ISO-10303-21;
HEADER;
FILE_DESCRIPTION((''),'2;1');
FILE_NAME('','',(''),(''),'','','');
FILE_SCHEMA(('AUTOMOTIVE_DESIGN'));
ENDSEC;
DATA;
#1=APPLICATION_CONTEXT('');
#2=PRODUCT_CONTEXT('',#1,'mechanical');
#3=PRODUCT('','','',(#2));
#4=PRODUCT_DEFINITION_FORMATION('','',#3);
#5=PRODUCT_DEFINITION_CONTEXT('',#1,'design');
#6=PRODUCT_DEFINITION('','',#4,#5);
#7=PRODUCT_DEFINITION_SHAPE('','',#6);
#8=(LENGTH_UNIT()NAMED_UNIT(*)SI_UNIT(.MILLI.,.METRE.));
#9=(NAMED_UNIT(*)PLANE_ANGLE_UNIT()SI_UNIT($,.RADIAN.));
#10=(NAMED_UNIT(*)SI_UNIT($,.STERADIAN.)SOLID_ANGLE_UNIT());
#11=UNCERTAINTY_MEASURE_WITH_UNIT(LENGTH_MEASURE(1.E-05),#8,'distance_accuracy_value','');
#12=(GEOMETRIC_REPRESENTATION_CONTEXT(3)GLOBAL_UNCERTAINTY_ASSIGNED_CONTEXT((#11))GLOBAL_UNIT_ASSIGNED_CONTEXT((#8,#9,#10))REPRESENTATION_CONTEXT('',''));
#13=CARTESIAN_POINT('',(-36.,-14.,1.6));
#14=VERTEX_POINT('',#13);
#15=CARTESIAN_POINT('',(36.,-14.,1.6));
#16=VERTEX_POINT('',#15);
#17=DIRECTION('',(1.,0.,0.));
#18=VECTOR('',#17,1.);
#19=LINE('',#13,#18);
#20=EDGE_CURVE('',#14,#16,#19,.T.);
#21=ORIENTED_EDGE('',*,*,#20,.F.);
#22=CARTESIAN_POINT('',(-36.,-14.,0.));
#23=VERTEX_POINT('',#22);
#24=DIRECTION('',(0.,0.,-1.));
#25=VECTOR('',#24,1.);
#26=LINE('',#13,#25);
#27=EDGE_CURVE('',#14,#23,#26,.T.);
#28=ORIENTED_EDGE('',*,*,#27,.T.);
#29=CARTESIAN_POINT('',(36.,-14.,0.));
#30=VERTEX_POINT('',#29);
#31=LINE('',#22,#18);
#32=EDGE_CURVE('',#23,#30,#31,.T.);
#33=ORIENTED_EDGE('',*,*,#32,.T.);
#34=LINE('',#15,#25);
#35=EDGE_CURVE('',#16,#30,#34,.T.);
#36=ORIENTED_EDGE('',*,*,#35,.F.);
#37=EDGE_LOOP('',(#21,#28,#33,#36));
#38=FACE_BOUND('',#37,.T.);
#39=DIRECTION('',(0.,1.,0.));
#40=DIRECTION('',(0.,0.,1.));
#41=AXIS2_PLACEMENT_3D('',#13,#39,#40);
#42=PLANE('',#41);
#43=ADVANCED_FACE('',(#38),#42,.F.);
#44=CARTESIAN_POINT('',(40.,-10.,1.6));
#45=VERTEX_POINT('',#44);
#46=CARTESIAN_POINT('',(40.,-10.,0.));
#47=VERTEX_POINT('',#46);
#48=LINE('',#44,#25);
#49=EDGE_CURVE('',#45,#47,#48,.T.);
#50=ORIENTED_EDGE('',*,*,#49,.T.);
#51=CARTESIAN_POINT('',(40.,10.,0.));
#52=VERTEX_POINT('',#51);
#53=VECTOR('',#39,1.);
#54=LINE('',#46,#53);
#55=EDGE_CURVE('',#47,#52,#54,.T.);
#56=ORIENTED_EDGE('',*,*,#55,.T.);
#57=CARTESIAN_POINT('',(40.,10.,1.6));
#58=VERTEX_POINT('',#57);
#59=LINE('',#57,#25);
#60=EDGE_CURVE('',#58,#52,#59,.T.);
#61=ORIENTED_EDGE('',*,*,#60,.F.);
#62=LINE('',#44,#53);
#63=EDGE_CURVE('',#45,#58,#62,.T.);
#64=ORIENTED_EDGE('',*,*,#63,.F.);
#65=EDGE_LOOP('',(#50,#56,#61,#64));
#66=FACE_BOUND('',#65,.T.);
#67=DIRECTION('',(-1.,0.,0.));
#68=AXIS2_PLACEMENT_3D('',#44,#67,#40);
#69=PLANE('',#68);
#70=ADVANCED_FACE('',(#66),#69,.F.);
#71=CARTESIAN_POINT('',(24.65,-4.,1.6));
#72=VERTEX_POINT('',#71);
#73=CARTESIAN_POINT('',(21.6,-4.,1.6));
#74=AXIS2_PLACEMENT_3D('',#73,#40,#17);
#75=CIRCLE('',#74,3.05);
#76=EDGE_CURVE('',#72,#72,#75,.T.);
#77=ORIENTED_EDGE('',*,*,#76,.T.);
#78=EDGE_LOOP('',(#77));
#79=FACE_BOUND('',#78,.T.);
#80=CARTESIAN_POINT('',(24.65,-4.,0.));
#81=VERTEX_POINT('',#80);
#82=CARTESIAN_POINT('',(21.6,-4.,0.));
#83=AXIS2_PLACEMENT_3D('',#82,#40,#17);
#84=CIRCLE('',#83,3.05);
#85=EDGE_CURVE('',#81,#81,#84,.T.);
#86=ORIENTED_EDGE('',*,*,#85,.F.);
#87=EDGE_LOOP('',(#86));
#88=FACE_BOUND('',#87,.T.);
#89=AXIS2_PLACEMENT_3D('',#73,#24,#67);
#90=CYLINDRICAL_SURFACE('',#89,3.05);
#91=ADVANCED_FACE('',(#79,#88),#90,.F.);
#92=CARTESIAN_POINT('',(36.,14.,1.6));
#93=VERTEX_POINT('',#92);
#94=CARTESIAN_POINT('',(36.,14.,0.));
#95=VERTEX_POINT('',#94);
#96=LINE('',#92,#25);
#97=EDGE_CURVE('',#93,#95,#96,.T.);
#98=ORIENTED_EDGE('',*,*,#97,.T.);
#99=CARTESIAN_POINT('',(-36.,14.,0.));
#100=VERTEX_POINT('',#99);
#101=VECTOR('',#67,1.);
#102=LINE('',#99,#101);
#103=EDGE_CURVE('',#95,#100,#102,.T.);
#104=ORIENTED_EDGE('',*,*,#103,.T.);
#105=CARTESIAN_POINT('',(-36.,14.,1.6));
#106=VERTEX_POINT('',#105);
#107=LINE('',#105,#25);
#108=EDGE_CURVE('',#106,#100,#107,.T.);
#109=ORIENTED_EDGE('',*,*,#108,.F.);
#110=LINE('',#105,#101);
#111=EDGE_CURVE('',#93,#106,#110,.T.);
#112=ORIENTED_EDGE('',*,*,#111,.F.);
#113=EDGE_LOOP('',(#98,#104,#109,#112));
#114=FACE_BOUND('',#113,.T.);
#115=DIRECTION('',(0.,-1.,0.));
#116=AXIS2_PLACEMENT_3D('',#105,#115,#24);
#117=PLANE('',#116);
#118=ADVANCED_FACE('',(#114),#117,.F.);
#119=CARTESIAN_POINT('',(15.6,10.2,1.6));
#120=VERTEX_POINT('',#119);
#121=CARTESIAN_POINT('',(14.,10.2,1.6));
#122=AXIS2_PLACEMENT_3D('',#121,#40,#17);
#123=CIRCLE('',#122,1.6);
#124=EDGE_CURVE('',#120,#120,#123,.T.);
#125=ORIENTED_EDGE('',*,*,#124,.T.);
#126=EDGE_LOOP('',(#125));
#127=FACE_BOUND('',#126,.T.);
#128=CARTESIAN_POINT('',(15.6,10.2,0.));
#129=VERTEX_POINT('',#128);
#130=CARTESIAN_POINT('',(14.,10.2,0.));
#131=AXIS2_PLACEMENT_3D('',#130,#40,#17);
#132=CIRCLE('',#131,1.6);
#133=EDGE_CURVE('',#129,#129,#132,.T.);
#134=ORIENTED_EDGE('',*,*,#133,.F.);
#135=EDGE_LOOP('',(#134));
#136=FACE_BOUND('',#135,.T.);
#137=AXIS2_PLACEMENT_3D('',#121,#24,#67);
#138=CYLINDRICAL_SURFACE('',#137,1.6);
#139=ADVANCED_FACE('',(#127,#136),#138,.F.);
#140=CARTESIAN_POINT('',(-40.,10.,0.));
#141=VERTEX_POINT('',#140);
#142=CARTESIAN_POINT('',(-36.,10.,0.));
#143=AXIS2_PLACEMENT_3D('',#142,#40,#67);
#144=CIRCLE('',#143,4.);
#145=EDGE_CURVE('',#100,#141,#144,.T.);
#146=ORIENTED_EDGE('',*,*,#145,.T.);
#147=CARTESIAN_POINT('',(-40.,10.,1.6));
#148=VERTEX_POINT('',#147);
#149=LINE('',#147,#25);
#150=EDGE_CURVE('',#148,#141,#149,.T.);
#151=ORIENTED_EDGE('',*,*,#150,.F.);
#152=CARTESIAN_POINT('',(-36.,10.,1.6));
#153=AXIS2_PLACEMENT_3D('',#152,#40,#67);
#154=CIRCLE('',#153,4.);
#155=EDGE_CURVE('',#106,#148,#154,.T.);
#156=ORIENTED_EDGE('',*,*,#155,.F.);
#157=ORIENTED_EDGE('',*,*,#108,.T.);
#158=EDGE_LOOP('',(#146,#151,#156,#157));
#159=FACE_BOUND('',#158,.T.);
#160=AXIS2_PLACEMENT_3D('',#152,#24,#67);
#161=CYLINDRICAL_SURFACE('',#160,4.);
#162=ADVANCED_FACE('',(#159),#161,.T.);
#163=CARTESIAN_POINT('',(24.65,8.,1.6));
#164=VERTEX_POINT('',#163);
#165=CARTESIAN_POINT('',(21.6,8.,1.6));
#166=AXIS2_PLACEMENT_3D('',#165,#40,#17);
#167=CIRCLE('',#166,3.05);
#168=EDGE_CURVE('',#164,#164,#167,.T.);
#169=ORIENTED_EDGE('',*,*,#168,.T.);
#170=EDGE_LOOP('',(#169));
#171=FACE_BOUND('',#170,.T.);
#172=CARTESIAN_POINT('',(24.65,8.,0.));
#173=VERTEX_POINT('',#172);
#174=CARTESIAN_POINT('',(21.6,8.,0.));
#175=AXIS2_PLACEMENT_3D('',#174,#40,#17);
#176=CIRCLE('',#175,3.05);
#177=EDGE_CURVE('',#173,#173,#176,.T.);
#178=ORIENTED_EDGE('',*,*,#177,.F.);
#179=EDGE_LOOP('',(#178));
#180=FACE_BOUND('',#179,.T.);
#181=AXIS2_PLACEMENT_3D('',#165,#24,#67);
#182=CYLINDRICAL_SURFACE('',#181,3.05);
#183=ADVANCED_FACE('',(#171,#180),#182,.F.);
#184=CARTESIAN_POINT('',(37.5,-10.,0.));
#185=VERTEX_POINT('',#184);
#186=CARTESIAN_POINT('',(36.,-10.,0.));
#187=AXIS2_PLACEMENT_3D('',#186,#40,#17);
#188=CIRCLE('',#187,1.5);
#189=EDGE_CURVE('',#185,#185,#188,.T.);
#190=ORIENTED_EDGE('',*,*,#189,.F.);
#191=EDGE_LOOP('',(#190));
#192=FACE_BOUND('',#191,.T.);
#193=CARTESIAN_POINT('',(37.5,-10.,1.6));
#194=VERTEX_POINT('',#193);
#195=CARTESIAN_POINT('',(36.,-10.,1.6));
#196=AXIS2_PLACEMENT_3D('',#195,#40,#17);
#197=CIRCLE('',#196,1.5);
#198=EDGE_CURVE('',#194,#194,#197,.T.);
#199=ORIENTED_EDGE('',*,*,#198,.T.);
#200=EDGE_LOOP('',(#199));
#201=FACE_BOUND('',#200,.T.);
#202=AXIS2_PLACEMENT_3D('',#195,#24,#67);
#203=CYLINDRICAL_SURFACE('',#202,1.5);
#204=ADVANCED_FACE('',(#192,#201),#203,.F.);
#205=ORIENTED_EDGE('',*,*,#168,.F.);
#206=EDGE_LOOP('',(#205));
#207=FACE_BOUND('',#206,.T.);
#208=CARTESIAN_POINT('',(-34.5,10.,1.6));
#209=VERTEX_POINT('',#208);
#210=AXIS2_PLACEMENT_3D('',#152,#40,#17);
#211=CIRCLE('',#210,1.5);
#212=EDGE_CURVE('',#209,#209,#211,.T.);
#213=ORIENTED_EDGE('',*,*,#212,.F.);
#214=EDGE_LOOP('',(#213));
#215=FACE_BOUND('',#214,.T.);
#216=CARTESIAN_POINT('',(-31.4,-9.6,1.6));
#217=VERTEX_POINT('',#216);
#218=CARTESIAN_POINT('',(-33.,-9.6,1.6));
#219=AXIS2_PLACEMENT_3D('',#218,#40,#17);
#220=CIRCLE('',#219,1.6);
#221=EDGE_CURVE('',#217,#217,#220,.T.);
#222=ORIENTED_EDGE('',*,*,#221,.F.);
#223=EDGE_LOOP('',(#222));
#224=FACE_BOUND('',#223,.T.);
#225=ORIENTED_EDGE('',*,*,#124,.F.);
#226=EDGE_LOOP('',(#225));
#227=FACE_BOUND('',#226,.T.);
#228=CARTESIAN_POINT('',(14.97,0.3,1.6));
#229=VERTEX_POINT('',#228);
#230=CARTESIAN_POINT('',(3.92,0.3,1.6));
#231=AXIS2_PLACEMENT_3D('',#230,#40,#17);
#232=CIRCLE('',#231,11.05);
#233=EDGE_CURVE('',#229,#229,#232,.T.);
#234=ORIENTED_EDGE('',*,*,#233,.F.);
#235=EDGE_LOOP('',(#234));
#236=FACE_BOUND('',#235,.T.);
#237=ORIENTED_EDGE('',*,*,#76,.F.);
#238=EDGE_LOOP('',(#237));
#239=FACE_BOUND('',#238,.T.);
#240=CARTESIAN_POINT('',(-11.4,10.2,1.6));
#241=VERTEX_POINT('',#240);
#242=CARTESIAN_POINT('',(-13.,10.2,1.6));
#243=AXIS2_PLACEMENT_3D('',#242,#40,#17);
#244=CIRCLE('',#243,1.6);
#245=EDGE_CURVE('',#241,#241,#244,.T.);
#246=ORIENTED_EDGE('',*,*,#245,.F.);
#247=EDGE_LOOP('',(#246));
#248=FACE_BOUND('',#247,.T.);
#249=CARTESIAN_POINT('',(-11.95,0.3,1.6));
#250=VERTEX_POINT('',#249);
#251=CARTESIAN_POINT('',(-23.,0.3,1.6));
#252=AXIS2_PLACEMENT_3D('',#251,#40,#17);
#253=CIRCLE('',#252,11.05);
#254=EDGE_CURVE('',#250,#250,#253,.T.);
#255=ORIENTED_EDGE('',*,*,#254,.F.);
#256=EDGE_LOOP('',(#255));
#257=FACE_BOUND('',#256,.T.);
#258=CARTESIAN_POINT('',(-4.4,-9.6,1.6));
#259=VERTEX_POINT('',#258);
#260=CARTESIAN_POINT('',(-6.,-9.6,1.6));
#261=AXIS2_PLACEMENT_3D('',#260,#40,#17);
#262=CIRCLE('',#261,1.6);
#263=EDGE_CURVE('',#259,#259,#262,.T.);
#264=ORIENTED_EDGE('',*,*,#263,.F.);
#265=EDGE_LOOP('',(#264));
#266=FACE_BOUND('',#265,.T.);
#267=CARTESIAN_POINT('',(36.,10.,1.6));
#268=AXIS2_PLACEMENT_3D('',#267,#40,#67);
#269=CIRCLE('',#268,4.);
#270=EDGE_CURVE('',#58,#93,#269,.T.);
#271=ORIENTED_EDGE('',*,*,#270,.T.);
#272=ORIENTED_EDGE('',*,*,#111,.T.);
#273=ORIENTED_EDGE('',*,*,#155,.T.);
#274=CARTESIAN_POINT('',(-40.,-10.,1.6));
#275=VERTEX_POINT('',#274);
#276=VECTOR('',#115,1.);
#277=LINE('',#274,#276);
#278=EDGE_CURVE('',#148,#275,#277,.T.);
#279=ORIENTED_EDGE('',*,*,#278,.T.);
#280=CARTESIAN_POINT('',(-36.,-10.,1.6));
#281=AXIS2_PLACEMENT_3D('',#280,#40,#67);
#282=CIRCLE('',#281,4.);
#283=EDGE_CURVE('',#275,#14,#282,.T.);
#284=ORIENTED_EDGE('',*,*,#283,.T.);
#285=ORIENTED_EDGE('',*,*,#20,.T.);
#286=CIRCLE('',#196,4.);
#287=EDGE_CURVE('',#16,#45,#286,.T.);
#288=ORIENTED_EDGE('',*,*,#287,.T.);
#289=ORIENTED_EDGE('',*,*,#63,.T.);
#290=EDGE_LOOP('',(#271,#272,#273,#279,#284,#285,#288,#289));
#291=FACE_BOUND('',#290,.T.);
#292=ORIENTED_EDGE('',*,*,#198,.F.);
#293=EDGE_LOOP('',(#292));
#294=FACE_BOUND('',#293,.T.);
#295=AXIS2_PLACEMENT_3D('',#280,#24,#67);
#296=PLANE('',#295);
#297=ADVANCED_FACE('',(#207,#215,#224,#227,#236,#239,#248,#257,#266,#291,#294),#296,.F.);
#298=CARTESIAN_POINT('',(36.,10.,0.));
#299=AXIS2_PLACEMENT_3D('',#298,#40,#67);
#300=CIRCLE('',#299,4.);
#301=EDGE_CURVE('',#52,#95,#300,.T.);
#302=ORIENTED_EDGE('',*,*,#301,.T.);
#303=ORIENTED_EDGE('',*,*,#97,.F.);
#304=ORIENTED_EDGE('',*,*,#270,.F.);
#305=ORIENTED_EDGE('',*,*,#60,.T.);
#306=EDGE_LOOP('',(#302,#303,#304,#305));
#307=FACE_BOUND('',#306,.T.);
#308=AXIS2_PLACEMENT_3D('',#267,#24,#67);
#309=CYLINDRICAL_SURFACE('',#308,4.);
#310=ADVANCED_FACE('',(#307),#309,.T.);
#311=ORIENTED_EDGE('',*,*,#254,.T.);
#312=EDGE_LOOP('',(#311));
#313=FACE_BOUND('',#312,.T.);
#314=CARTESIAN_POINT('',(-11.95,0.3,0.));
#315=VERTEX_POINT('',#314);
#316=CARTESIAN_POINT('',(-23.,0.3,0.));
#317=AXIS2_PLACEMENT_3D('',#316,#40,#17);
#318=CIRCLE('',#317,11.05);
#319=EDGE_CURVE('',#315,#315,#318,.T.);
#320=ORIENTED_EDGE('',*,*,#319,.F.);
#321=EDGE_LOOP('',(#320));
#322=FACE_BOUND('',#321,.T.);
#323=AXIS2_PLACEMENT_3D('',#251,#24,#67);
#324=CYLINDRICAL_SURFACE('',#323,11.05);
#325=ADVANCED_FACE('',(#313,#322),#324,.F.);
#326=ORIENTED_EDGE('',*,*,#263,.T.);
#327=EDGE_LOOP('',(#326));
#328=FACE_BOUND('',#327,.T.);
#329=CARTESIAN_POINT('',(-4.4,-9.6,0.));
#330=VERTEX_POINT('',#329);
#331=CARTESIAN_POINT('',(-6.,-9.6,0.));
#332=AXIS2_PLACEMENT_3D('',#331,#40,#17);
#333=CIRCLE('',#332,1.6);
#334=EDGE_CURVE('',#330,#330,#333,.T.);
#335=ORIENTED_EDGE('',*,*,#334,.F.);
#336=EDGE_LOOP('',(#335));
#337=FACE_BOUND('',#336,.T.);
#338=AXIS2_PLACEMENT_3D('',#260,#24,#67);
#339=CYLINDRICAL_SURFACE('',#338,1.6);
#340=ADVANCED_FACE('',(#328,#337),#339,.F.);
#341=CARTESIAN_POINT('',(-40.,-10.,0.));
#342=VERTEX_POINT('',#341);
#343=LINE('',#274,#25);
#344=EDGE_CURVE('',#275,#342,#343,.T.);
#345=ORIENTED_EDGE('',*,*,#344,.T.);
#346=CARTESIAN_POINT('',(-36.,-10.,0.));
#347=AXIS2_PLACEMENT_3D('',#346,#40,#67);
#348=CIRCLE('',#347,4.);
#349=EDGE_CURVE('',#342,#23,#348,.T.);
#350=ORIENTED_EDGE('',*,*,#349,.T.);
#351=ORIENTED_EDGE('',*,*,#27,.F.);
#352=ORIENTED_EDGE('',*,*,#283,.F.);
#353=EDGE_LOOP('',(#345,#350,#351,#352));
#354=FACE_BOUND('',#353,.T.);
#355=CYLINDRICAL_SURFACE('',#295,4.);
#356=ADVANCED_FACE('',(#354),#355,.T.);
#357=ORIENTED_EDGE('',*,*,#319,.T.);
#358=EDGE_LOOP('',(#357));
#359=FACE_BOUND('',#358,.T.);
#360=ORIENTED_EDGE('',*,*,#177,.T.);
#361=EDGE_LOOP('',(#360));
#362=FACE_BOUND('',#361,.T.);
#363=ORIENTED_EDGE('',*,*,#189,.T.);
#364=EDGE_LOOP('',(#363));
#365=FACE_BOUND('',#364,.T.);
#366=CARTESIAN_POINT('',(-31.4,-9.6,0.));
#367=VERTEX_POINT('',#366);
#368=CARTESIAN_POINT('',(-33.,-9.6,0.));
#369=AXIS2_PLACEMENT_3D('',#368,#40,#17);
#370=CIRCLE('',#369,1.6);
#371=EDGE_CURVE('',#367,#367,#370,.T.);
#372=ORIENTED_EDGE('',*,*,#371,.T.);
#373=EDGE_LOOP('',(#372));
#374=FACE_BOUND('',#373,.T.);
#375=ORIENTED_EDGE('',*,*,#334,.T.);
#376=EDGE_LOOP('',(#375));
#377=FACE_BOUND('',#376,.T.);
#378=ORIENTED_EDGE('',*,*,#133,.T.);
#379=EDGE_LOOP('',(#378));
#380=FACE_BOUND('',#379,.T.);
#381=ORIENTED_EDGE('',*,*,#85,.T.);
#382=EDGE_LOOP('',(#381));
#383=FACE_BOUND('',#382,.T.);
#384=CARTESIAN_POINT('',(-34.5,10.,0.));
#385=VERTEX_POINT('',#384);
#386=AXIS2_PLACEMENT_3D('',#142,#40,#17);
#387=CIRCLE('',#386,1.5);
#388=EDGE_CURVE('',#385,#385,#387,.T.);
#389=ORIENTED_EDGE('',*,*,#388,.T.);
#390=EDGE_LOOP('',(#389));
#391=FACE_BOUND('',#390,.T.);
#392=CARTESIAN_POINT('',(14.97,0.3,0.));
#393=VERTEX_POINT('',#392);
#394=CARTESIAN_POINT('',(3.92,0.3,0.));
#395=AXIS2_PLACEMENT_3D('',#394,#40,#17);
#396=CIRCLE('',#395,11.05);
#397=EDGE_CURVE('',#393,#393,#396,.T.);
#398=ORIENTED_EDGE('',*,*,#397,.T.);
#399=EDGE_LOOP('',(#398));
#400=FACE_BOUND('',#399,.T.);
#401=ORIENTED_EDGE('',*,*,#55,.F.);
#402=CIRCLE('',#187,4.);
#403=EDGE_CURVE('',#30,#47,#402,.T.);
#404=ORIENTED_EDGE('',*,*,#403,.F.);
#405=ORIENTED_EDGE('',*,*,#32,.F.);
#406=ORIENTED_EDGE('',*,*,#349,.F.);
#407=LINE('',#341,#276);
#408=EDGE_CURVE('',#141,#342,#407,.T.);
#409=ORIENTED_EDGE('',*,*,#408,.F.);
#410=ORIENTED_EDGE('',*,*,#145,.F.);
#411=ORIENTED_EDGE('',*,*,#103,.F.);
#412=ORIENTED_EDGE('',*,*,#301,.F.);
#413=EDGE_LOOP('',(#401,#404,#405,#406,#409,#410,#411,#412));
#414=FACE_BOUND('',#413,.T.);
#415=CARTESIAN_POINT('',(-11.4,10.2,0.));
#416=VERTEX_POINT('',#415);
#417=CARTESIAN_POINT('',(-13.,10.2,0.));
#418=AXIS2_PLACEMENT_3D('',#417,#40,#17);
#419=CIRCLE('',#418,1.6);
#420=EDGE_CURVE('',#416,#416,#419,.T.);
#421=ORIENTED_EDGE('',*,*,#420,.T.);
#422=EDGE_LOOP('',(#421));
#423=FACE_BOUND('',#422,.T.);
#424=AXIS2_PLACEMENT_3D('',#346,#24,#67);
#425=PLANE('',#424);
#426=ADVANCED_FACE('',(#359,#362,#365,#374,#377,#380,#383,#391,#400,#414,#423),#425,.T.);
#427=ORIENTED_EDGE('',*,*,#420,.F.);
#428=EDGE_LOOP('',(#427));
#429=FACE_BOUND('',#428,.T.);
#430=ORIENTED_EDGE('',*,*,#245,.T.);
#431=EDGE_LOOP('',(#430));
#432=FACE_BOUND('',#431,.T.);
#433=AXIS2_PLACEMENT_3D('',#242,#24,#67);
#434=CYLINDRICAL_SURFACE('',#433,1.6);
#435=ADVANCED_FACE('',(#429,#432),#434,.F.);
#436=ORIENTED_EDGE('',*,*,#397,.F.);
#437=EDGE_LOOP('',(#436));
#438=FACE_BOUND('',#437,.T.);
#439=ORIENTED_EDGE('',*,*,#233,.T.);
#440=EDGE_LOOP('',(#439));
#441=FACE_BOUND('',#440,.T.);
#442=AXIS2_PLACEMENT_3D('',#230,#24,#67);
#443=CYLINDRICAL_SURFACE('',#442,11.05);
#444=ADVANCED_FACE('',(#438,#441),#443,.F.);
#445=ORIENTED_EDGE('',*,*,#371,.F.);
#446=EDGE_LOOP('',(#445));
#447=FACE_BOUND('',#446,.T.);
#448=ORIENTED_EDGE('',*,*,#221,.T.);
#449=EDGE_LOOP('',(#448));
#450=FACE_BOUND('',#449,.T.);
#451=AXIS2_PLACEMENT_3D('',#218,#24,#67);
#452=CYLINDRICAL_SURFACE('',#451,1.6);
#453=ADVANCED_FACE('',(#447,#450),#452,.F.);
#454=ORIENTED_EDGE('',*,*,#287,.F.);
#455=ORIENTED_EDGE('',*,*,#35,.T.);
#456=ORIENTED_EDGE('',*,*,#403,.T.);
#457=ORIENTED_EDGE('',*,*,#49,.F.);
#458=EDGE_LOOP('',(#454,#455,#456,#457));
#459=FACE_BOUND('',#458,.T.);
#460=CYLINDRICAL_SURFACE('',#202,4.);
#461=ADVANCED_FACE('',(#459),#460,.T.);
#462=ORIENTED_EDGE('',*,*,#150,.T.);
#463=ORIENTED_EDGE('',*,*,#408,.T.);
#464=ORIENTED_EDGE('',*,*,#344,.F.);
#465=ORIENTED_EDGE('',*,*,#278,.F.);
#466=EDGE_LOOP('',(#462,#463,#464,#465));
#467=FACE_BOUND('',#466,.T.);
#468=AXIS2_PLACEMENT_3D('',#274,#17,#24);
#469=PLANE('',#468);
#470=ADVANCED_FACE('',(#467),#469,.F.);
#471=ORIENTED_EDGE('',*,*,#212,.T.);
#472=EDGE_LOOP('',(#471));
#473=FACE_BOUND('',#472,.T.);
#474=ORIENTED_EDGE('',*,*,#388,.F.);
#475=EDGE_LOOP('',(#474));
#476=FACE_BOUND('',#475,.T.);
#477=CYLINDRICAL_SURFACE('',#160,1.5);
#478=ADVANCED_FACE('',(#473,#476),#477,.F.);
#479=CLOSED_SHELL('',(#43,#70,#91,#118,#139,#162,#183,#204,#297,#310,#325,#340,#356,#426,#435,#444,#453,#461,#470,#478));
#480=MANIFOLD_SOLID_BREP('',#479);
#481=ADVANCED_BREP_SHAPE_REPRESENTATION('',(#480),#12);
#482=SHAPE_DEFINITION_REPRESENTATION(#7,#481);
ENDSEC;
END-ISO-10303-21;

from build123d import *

# Parameters (mm, degrees)
SKETCH1_R           = 11.05
SKETCH1_R_2         = 1.6
SKETCH1_R_3         = 1.5
SKETCH1_R_4         = 3.05
BOSS_EXTRUDE1_DEPTH = 1.6


with BuildPart() as part:
    # Sketch1 → Boss-Extrude1 (new body)
    with BuildSketch(Plane.XY):
        with BuildLine():
            Line((-36, -14), (36, -14))
            ThreePointArc((36, -14), (38.828427125, -12.828427125), (40, -10))
            Line((40, -10), (40, 10))
            ThreePointArc((40, 10), (38.828427125, 12.828427125), (36, 14))
            Line((36, 14), (-36, 14))
            ThreePointArc((-36, 14), (-38.828427125, 12.828427125), (-40, 10))
            Line((-40, 10), (-40, -10))
            ThreePointArc((-40, -10), (-38.828427125, -12.828427125), (-36, -14))
        make_face()
        with Locations((-23, 0.3)):
            Circle(SKETCH1_R, mode=Mode.SUBTRACT)
        with Locations((3.92, 0.3)):
            Circle(SKETCH1_R, mode=Mode.SUBTRACT)
        with Locations((14, 10.2)):
            Circle(SKETCH1_R_2, mode=Mode.SUBTRACT)
        with Locations((-6, -9.6)):
            Circle(SKETCH1_R_2, mode=Mode.SUBTRACT)
        with Locations((-33, -9.6)):
            Circle(SKETCH1_R_2, mode=Mode.SUBTRACT)
        with Locations((-13, 10.2)):
            Circle(SKETCH1_R_2, mode=Mode.SUBTRACT)
        with Locations((-36, 10)):
            Circle(SKETCH1_R_3, mode=Mode.SUBTRACT)
        with Locations((21.6, 8)):
            Circle(SKETCH1_R_4, mode=Mode.SUBTRACT)
        with Locations((21.6, -4)):
            Circle(SKETCH1_R_4, mode=Mode.SUBTRACT)
        with Locations((36, -10)):
            Circle(SKETCH1_R_3, mode=Mode.SUBTRACT)
    extrude(amount=BOSS_EXTRUDE1_DEPTH)


solid = part.part
